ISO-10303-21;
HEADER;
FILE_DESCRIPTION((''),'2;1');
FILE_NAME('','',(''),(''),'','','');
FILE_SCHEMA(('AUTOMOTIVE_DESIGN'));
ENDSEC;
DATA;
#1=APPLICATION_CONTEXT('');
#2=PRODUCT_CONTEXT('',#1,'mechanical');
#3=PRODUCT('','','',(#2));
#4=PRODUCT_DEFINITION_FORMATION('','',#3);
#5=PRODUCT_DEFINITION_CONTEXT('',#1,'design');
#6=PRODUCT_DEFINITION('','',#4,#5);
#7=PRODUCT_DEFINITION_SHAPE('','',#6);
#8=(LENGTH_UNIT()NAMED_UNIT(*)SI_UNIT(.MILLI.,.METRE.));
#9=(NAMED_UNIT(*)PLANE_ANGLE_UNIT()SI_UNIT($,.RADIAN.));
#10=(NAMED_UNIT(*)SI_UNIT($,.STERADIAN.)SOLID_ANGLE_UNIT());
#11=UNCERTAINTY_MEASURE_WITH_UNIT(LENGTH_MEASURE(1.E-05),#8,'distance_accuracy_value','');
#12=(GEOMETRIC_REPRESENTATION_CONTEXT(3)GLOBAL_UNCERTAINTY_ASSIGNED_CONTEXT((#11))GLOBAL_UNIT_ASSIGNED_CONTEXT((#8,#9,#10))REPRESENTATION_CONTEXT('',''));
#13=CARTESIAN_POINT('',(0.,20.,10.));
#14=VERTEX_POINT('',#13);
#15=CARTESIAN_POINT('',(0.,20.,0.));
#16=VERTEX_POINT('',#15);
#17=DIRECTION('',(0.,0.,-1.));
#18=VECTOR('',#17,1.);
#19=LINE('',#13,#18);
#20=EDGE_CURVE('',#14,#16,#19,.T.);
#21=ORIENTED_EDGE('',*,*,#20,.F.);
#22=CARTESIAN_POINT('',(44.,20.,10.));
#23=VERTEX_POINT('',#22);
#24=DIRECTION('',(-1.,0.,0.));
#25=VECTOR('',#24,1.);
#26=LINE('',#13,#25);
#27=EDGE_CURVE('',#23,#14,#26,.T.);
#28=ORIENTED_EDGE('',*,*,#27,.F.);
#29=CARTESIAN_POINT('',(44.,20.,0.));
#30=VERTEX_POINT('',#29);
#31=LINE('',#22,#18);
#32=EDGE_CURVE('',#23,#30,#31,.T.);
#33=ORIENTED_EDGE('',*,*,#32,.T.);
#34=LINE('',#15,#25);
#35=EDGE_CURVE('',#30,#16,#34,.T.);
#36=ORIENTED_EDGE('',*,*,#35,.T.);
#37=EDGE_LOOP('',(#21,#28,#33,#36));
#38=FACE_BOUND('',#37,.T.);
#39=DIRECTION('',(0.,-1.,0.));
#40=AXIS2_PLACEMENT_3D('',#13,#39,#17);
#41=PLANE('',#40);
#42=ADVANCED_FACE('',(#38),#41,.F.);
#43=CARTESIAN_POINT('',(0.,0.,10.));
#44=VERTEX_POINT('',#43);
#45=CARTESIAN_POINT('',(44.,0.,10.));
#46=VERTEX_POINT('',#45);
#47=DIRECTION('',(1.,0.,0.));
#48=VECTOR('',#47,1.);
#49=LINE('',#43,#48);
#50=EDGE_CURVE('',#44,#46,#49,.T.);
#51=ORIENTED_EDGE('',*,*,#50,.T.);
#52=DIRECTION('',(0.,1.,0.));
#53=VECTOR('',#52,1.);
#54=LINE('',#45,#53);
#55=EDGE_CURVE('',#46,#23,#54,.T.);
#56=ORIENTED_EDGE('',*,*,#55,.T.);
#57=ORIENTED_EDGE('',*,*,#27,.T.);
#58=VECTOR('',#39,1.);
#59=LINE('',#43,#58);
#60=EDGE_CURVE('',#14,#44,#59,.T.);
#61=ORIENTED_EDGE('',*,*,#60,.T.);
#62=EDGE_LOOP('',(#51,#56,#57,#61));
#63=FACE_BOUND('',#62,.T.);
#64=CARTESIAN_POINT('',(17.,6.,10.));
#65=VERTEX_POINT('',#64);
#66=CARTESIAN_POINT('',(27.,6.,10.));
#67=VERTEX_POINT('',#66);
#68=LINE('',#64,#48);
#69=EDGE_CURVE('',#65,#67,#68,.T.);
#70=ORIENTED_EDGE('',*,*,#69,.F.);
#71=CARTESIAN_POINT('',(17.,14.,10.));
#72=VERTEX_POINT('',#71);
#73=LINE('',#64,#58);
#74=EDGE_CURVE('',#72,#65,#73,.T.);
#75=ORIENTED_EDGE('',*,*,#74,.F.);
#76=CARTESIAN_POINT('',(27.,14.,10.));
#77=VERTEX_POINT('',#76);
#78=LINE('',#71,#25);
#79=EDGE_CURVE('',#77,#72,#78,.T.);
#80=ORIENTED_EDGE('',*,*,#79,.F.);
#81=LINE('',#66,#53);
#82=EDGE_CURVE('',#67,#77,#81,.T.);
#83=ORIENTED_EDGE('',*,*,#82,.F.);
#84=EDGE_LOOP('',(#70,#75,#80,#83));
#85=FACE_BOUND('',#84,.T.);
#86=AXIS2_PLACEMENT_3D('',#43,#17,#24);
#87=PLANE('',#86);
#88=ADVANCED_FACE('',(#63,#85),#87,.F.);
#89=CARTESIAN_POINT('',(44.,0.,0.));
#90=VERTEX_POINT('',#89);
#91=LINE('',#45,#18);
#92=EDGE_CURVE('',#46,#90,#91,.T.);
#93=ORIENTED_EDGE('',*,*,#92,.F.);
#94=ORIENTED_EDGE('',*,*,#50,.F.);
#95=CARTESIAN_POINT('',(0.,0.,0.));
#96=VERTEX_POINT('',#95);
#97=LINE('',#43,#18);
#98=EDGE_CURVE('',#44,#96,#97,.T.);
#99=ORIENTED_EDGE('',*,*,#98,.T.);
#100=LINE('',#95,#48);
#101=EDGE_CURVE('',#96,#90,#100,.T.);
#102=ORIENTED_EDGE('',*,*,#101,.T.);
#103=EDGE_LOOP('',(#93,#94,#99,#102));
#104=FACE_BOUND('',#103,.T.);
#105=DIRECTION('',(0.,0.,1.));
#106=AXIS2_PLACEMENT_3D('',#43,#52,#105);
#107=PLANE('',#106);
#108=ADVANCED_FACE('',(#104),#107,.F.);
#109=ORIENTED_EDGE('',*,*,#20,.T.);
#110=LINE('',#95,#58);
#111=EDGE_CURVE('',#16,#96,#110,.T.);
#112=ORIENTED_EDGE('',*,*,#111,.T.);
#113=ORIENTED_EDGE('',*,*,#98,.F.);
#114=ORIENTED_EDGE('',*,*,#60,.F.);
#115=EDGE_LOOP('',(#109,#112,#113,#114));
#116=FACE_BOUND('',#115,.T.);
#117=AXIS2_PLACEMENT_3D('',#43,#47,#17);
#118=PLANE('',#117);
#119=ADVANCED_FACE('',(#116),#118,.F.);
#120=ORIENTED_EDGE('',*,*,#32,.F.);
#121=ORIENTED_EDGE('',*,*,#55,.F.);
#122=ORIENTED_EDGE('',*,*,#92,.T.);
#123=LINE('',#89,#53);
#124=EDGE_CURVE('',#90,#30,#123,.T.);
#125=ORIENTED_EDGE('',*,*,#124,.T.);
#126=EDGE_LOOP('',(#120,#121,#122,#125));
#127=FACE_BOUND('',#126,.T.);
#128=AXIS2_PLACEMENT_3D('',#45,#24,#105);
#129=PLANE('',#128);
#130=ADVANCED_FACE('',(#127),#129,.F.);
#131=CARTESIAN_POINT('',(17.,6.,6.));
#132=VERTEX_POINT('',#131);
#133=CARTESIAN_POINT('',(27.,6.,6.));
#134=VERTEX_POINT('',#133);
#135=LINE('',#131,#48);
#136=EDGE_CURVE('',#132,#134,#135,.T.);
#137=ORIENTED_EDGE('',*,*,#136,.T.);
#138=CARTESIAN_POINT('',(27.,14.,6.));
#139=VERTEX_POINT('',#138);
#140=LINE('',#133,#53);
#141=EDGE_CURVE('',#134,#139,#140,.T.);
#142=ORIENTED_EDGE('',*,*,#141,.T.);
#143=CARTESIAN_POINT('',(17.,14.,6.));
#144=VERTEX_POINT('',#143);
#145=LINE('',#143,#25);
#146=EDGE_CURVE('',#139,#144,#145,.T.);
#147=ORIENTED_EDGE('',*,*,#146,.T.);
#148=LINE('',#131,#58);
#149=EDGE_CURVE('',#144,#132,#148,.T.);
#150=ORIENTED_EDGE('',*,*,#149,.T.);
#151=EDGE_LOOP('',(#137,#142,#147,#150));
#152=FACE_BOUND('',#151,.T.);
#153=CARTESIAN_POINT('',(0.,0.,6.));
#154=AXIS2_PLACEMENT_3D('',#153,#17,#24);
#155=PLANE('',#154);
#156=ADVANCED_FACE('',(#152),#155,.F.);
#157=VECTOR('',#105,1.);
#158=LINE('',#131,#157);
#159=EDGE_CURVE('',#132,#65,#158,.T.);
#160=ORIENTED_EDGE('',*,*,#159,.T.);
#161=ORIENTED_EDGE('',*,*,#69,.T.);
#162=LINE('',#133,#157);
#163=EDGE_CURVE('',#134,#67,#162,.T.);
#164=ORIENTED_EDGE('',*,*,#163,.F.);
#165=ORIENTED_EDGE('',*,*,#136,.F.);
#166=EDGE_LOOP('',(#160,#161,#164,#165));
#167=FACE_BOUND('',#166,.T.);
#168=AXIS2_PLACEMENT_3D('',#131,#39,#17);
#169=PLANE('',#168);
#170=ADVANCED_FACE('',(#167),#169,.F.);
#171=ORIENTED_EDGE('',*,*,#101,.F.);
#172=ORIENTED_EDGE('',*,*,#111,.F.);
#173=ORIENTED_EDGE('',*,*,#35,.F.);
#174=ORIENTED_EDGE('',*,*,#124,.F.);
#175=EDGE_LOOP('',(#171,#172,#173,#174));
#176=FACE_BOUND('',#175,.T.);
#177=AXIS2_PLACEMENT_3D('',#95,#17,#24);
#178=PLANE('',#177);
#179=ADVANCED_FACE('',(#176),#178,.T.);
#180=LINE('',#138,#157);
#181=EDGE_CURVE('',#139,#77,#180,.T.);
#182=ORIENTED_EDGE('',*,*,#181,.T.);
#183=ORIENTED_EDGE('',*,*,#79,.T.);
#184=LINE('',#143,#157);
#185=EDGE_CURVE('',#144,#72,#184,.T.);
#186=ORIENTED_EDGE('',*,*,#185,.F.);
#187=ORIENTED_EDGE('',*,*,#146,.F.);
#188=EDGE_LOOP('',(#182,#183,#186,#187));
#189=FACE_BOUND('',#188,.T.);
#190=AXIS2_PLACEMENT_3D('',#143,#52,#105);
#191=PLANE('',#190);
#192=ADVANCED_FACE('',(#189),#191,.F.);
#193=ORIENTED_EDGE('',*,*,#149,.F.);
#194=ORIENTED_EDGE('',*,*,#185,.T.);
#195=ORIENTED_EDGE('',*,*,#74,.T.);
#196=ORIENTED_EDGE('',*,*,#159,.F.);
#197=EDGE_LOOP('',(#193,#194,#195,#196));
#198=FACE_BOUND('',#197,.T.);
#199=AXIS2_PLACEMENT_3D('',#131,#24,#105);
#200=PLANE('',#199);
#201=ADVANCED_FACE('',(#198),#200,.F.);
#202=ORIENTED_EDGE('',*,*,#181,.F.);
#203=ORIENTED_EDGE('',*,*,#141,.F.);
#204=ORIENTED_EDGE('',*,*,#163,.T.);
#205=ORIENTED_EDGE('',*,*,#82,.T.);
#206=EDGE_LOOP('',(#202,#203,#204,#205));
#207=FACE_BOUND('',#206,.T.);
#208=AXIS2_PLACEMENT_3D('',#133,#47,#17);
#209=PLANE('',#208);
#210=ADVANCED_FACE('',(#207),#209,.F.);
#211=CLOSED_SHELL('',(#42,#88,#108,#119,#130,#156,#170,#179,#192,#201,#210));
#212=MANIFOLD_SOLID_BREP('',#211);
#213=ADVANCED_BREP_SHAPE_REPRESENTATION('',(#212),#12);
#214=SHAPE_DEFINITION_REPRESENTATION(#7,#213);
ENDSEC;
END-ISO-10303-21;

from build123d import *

# Parameters (mm, degrees)
RECTANGLESKETCH_W = 44
RECTANGLESKETCH_H = 20
BLINDBOSS_DEPTH   = 10
CUTSKETCH_W       = 10
CUTSKETCH_H       = 8
BLINDCUT_DEPTH    = 4


with BuildPart() as part:
    # RectangleSketch → BlindBoss (new body)
    with BuildSketch(Plane.XY):
        with Locations((22, 10)):
            Rectangle(RECTANGLESKETCH_W, RECTANGLESKETCH_H)
    extrude(amount=BLINDBOSS_DEPTH)

    # CutSketch → BlindCut (cut)
    with BuildSketch(Plane.XY.offset(10)):
        with Locations((22, 10)):
            Rectangle(CUTSKETCH_W, CUTSKETCH_H)
    extrude(amount=-BLINDCUT_DEPTH, mode=Mode.SUBTRACT)


solid = part.part
